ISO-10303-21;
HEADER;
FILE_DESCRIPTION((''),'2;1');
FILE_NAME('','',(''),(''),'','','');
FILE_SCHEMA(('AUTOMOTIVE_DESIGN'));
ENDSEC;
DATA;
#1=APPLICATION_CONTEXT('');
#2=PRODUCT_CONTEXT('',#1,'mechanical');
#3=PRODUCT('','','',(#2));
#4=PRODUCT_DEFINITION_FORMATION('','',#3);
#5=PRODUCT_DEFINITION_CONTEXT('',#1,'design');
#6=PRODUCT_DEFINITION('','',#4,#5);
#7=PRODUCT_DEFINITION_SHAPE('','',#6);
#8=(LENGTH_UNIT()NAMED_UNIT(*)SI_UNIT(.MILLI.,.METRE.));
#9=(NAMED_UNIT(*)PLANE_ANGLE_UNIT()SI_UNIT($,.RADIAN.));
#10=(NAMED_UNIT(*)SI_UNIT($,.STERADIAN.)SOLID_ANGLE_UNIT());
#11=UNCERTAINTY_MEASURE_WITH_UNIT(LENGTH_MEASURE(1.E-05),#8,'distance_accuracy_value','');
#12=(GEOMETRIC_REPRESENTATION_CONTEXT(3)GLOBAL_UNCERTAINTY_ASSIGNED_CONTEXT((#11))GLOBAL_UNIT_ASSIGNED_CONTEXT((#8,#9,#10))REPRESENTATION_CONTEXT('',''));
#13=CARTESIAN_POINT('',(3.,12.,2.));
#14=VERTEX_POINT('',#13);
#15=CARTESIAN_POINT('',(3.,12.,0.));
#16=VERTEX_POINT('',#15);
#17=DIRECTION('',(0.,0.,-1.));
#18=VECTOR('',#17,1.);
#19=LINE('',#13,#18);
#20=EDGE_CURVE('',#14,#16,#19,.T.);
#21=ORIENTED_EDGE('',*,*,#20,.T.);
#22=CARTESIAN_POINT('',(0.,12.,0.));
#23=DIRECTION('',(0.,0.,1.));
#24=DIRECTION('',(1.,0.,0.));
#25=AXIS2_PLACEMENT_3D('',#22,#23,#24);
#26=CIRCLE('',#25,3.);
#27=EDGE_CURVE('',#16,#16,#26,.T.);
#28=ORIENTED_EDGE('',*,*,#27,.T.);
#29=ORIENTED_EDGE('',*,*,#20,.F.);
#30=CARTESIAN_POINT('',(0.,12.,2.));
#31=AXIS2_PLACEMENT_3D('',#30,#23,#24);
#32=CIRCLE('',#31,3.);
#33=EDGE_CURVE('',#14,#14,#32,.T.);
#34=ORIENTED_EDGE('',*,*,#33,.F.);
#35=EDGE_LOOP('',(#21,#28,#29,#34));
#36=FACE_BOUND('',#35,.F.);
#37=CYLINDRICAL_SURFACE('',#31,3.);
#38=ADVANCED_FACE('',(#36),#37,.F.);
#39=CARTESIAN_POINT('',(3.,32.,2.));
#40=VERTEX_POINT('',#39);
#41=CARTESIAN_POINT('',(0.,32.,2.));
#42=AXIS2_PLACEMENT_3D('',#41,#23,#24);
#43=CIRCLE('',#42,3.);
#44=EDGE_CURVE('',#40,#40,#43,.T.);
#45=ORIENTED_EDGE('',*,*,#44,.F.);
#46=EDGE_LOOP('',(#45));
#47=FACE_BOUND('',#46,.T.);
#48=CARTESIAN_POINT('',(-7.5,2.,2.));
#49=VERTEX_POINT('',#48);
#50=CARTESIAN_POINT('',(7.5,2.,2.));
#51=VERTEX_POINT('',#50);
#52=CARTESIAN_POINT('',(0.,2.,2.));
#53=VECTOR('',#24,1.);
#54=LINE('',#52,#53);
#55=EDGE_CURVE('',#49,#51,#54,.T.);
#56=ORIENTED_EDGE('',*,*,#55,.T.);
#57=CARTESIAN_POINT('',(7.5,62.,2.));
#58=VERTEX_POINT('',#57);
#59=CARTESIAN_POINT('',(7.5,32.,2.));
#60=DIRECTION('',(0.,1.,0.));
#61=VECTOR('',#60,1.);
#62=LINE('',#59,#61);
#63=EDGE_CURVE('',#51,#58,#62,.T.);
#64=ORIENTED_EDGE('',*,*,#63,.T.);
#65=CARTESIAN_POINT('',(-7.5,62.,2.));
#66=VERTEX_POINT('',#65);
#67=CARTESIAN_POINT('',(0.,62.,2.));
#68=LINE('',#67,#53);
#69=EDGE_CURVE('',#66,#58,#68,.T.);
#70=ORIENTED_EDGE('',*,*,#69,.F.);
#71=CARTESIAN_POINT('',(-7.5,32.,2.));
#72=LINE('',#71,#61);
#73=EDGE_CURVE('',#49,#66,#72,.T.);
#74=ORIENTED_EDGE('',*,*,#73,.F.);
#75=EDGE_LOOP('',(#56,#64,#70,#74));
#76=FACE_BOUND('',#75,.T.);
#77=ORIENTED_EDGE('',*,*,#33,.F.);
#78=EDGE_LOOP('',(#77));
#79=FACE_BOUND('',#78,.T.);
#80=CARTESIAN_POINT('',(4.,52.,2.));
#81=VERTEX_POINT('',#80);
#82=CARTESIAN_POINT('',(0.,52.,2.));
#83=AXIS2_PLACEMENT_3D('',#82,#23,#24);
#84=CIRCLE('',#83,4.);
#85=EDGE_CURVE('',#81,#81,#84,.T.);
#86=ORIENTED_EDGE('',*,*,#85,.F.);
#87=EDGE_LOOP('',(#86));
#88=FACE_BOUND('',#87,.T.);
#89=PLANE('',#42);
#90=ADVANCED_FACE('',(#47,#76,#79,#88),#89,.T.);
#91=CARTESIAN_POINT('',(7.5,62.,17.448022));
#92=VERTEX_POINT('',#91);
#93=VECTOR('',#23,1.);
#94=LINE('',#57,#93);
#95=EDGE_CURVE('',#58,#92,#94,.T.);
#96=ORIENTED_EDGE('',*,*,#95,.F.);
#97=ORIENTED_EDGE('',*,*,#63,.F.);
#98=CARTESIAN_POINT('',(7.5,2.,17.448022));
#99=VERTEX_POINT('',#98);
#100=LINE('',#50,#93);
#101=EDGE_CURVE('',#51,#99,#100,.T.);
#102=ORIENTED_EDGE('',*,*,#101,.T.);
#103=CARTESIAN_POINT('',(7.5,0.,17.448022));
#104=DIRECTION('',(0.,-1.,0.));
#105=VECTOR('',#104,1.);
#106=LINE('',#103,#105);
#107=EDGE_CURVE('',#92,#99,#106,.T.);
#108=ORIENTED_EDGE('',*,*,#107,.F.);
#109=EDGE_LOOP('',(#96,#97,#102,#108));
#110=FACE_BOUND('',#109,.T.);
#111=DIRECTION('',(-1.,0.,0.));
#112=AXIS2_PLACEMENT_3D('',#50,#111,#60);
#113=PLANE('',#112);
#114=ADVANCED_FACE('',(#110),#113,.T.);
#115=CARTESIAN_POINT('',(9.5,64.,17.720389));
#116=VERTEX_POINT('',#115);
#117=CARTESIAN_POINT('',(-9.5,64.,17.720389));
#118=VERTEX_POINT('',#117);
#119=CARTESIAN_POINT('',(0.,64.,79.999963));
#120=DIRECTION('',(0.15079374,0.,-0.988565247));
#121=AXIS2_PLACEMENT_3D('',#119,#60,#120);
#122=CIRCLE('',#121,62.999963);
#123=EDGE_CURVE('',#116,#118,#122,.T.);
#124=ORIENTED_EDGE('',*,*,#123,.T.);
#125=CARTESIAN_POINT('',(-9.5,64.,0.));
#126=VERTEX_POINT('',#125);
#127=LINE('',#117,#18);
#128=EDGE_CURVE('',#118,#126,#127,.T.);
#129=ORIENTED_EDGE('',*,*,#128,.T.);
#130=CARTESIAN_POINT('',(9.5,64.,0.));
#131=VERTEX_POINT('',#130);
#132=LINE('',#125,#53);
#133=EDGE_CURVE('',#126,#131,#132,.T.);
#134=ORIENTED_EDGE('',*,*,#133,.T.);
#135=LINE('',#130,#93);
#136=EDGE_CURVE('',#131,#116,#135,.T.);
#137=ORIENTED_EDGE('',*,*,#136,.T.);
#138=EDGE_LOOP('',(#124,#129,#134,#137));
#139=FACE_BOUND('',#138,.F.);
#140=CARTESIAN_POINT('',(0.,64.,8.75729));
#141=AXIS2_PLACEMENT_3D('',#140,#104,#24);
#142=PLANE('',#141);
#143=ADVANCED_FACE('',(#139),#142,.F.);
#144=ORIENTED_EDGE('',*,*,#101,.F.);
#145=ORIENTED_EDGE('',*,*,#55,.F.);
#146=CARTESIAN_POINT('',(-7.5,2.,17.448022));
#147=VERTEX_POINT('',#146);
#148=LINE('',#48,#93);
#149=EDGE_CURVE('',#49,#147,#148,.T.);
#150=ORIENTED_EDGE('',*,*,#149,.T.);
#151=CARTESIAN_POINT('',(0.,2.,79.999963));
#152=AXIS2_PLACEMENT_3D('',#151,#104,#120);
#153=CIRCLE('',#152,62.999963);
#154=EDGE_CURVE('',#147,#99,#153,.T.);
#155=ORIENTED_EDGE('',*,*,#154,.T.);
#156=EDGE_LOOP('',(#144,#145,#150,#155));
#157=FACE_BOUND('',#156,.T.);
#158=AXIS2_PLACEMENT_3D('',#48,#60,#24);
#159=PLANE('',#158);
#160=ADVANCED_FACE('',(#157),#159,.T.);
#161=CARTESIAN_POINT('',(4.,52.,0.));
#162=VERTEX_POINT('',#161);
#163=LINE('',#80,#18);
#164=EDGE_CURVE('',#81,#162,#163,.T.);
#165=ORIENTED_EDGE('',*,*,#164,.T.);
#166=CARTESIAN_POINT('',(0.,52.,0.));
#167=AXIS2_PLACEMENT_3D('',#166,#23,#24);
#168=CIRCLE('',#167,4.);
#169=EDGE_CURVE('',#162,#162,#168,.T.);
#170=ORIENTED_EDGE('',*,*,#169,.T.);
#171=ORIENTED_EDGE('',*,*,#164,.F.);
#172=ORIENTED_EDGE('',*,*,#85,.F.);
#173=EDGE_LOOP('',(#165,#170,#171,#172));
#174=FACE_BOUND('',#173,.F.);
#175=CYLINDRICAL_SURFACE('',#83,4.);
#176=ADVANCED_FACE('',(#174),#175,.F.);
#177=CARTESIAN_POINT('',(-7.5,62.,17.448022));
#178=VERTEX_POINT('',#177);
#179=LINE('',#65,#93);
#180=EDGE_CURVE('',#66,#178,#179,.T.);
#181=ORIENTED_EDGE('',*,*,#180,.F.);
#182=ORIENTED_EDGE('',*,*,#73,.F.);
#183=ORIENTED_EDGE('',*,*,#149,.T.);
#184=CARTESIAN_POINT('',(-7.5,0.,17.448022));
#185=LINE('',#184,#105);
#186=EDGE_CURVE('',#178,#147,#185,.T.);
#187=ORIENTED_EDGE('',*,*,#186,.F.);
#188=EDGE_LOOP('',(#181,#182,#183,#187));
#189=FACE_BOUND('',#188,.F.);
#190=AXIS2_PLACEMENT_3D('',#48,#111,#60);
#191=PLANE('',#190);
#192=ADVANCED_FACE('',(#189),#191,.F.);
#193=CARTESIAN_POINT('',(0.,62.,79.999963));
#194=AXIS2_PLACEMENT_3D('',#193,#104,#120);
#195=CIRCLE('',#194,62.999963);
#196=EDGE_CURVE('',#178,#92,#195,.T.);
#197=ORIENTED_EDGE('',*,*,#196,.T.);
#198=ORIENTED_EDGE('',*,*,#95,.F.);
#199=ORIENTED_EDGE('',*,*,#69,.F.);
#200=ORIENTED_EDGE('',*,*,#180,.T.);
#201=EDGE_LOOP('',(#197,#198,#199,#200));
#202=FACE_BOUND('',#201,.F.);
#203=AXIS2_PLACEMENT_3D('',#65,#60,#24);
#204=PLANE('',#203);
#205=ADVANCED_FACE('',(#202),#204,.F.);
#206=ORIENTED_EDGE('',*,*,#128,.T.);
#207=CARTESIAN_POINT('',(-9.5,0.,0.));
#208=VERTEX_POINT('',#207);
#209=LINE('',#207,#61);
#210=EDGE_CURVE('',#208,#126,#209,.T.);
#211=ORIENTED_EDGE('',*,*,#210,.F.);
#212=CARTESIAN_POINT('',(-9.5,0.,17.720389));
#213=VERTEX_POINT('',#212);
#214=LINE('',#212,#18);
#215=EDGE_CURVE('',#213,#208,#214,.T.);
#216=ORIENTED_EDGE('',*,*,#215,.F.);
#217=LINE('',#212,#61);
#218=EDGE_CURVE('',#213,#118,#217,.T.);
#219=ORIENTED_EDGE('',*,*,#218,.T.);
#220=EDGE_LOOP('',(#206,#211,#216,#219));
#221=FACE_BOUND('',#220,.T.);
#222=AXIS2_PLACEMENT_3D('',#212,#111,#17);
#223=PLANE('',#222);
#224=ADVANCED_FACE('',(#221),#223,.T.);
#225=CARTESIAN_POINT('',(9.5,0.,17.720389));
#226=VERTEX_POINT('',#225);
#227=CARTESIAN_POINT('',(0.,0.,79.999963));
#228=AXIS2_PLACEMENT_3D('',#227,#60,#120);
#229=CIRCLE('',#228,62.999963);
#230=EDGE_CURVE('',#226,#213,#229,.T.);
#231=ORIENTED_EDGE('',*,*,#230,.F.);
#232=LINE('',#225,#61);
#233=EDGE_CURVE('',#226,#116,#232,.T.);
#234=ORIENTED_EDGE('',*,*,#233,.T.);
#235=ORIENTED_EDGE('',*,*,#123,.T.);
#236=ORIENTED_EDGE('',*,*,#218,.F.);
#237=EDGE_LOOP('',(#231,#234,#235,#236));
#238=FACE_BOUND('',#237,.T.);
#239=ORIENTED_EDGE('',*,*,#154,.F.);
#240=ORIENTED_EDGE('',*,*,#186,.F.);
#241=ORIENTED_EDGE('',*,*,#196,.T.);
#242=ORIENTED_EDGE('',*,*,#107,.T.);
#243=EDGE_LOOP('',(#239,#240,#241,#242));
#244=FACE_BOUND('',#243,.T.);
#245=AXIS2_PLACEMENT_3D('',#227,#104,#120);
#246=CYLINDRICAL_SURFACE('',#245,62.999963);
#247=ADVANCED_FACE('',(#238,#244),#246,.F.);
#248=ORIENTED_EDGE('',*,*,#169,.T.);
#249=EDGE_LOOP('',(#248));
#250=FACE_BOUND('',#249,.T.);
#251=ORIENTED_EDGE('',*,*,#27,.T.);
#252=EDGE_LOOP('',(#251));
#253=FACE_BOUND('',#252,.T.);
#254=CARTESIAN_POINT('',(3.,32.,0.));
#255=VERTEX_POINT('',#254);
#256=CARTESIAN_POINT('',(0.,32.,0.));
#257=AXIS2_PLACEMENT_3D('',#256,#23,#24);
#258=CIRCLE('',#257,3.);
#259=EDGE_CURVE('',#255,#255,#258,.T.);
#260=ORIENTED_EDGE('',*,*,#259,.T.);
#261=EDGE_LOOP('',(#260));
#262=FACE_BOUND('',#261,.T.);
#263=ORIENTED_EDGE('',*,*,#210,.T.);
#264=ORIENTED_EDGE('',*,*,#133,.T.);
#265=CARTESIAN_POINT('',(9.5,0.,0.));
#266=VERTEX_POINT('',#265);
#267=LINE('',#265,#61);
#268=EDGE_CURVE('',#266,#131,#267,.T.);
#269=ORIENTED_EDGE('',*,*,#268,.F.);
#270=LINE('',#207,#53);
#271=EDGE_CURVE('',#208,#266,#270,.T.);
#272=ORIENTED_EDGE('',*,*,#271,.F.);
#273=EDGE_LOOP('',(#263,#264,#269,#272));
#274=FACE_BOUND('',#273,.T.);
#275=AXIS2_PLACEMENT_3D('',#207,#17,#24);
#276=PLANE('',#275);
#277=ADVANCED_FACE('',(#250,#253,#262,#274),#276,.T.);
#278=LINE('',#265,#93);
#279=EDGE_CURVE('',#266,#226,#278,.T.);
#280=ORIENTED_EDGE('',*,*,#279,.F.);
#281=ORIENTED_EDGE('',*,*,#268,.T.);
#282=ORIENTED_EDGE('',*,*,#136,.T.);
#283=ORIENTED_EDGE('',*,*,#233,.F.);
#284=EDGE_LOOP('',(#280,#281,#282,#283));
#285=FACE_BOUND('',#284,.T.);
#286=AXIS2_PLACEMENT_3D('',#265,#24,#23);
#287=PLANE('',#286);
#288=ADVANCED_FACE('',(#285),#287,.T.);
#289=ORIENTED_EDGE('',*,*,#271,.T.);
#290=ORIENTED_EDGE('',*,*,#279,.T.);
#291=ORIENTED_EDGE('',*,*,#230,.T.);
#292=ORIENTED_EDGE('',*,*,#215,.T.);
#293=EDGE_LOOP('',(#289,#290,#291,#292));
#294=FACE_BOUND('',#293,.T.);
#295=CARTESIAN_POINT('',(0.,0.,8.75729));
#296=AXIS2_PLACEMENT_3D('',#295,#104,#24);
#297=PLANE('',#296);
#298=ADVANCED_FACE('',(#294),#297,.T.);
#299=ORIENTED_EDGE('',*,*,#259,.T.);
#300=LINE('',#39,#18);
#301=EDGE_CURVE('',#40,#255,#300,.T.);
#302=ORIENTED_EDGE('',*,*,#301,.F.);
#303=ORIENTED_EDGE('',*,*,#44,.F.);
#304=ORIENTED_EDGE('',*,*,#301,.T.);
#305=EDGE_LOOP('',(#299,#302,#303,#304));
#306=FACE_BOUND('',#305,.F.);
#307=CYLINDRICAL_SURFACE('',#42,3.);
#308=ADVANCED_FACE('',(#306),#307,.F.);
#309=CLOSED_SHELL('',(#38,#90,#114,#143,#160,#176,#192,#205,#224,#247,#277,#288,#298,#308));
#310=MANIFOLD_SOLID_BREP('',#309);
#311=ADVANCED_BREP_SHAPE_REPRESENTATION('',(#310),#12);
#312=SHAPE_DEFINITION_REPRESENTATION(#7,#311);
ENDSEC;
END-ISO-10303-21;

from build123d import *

# Parameters (mm, degrees)
F1_DEPTH = 64
F3_W     = 15
F3_H     = 60
F4_DEPTH = 25
F5_R     = 3
F5_R_2   = 4
F6_DEPTH = 25


with BuildPart() as f1:
    # F0 (on Front) → F1 (new body)
    with BuildSketch(Plane.XZ):
        with BuildLine():
            Line((-9.5, 17.720389), (-9.5, 0))
            Line((-9.5, 0), (9.5, 0))
            Line((9.5, 0), (9.5, 17.720389))
            ThreePointArc((9.5, 17.720389), (0, 17), (-9.5, 17.720389))
        make_face()
    extrude(amount=-F1_DEPTH)

    # F3 (on offset) → F4 (cut)
    with BuildSketch(Plane.XY.offset(2)):
        with Locations((0, 32)):
            Rectangle(F3_W, F3_H)
    extrude(amount=F4_DEPTH, mode=Mode.SUBTRACT)

    # F5 (on face) → F6 (cut)
    with BuildSketch(Plane.XY.offset(2)):
        with Locations((0, 12)):
            Circle(F5_R)
        with Locations((0, 32)):
            Circle(F5_R)
        with Locations((0, 52)):
            Circle(F5_R_2)
    extrude(amount=-F6_DEPTH, mode=Mode.SUBTRACT)


solid = f1.part
